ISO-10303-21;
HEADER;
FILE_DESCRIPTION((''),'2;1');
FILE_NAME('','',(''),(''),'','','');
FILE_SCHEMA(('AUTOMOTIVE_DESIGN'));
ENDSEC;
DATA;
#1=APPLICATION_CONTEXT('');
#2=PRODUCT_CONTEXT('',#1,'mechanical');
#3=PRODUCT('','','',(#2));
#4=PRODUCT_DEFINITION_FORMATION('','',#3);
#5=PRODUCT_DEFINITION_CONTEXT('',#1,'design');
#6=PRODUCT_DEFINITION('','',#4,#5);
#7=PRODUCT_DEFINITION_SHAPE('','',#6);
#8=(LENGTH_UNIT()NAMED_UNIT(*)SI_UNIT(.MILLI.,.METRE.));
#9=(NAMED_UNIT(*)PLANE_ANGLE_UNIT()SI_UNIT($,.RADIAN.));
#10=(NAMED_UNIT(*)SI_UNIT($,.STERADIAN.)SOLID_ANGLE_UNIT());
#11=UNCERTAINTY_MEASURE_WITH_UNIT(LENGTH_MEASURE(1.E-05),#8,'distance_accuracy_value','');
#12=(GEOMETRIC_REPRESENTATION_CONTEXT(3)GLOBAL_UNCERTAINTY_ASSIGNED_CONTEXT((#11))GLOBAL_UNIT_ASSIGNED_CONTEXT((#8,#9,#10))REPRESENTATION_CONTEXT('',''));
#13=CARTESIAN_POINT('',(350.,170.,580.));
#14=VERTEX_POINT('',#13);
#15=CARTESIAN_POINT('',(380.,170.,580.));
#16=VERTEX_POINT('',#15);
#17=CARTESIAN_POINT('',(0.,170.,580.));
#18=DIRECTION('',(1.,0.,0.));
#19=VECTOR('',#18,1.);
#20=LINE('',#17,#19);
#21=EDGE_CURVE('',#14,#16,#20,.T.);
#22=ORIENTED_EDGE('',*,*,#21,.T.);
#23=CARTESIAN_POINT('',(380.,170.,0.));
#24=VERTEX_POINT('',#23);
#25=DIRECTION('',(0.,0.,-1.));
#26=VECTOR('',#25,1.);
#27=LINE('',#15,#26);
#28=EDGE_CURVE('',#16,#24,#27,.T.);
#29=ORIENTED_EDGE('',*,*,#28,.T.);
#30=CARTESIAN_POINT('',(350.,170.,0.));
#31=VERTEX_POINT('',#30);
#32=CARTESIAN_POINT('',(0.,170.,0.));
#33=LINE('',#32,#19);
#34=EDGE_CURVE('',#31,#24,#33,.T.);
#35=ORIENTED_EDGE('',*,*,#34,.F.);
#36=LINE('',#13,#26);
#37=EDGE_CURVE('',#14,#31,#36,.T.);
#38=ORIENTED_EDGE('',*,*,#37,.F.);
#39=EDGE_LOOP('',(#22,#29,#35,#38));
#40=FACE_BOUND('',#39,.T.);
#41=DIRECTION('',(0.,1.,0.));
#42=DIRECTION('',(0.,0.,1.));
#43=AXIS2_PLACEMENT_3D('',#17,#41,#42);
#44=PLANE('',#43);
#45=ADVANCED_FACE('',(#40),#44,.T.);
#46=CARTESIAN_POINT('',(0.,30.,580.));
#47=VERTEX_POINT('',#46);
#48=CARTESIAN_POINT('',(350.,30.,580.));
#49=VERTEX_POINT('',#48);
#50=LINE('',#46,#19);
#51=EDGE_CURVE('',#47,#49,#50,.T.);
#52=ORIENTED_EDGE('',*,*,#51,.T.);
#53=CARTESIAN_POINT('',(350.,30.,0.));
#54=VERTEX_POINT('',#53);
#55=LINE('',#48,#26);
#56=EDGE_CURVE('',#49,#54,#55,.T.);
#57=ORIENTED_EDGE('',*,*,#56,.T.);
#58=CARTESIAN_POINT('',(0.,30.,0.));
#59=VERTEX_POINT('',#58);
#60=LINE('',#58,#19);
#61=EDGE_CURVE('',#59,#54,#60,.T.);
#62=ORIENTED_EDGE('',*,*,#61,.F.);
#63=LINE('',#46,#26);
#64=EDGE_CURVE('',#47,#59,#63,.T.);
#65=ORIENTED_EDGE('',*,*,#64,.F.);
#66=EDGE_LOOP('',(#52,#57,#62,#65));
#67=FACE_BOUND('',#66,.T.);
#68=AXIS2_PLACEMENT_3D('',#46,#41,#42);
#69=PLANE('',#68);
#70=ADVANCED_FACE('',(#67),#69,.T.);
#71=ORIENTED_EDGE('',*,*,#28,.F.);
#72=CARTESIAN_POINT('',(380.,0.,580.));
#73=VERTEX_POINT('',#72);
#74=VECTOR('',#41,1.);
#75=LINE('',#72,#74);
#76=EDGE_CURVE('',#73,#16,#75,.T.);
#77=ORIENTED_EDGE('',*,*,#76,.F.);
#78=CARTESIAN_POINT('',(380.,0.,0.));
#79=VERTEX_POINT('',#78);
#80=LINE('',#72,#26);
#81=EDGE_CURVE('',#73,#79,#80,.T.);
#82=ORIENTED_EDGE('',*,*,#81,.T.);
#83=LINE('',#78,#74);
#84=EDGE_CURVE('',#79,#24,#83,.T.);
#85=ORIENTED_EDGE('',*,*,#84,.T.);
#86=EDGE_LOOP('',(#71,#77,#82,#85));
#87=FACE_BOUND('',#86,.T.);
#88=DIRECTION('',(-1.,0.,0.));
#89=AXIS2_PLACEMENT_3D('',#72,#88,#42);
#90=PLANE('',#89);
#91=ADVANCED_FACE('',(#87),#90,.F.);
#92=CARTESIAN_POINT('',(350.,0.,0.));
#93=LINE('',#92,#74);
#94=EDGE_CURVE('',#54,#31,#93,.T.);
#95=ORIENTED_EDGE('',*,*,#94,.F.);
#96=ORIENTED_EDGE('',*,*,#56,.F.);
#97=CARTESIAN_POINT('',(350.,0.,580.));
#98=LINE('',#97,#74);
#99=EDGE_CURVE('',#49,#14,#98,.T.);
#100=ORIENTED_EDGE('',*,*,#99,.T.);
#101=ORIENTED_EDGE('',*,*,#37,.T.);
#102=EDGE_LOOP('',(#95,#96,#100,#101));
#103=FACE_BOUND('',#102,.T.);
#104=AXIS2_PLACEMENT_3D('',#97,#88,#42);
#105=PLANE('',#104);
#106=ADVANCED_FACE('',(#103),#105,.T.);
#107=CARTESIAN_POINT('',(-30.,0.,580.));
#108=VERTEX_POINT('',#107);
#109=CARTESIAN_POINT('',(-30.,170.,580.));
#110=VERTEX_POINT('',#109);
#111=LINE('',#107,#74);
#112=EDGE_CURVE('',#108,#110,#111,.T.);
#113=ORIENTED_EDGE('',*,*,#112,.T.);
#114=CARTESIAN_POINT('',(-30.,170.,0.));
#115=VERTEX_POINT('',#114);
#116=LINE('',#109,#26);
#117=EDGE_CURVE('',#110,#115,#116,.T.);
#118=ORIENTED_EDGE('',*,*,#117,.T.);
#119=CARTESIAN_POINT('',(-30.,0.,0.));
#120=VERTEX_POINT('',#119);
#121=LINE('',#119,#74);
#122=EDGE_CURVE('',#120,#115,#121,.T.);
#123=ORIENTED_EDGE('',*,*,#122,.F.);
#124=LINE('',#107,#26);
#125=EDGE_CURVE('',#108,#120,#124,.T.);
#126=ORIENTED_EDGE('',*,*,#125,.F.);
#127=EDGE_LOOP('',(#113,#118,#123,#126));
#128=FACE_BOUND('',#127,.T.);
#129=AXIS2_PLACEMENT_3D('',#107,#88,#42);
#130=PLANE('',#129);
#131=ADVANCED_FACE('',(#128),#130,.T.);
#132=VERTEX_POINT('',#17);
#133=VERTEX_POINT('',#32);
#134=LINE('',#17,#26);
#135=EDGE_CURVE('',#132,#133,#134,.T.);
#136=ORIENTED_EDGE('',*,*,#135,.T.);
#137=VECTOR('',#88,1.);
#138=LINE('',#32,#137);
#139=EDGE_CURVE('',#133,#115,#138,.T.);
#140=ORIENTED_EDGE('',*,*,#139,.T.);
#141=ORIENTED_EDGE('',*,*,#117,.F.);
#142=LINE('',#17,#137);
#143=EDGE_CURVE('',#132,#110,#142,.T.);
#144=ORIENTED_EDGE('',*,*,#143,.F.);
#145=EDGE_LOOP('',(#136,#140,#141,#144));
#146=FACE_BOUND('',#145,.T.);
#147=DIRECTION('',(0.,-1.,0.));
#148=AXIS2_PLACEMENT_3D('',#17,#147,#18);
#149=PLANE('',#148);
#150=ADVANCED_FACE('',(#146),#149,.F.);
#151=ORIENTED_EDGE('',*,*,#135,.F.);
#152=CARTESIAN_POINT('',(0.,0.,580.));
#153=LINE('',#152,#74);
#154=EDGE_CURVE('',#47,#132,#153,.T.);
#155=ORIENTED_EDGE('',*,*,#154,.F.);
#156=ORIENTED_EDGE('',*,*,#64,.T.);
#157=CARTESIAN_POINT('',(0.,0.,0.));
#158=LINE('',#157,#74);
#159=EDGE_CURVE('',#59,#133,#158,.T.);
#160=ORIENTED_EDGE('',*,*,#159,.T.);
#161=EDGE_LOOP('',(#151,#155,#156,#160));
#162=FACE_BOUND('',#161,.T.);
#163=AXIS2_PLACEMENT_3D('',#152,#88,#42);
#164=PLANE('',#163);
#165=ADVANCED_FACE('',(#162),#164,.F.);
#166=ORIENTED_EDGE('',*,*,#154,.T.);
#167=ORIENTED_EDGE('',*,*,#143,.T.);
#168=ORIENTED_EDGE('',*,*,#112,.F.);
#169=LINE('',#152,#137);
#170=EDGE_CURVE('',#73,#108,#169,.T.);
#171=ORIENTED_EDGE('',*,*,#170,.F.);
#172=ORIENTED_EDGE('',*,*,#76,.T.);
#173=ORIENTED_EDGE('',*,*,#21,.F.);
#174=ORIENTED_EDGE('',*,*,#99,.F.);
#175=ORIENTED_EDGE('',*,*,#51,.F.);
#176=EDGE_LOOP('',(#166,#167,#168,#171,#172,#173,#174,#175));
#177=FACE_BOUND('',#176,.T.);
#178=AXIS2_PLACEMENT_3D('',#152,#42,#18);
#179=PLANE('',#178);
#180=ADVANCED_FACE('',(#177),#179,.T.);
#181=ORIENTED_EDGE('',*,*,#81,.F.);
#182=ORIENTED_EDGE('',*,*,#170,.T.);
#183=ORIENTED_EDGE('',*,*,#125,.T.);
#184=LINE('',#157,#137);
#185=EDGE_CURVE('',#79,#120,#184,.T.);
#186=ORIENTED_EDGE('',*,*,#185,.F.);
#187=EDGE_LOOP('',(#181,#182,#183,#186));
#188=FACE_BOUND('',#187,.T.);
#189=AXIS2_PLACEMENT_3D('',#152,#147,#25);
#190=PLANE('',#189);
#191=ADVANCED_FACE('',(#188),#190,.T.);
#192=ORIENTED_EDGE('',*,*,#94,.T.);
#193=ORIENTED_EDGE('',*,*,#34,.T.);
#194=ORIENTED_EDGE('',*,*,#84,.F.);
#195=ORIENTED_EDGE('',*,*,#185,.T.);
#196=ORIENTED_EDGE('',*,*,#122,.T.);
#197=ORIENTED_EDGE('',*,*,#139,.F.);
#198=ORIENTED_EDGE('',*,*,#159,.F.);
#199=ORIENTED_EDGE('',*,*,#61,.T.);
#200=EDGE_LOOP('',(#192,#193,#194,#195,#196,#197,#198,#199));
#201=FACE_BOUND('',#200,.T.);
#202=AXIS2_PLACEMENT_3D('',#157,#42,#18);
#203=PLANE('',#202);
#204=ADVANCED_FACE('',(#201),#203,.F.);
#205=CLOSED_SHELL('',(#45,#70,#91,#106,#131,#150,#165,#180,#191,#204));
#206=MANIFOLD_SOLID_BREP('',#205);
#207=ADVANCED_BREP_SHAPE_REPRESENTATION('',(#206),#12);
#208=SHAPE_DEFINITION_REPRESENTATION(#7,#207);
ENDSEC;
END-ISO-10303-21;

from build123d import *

# Parameters (mm, degrees)
ESQUISSE1_W        = 30
ESQUISSE1_H        = 140
ESQUISSE1_H_2      = 30
ESQUISSE1_W_2      = 350
BOSS_EXTRU_1_DEPTH = 580


with BuildPart() as part:
    # Esquisse1 → Boss.-Extru.1 (new body)
    with BuildSketch(Plane.XY):
        with Locations((-15, 100)):
            Rectangle(ESQUISSE1_W, ESQUISSE1_H)
        with Locations((-15, 15)):
            Rectangle(ESQUISSE1_W, ESQUISSE1_H_2)
        with Locations((175, 15)):
            Rectangle(ESQUISSE1_W_2, ESQUISSE1_H_2)
        with Locations((365, 15)):
            Rectangle(ESQUISSE1_W, ESQUISSE1_H_2)
        with Locations((365, 100)):
            Rectangle(ESQUISSE1_W, ESQUISSE1_H)
        Polygon((-30, 170), (-30, 152.681524316), (-15, 161.340762158), align=None)
        Polygon((-15, 161.340762158), (0, 170), (-30, 170), align=None)
        Polygon((-15, 161.340762158), (0, 152.681524316), (0, 170), align=None)
        Polygon((380, 170), (350, 170), (380, 152.681524316), align=None)
    extrude(amount=BOSS_EXTRU_1_DEPTH)


solid = part.part
